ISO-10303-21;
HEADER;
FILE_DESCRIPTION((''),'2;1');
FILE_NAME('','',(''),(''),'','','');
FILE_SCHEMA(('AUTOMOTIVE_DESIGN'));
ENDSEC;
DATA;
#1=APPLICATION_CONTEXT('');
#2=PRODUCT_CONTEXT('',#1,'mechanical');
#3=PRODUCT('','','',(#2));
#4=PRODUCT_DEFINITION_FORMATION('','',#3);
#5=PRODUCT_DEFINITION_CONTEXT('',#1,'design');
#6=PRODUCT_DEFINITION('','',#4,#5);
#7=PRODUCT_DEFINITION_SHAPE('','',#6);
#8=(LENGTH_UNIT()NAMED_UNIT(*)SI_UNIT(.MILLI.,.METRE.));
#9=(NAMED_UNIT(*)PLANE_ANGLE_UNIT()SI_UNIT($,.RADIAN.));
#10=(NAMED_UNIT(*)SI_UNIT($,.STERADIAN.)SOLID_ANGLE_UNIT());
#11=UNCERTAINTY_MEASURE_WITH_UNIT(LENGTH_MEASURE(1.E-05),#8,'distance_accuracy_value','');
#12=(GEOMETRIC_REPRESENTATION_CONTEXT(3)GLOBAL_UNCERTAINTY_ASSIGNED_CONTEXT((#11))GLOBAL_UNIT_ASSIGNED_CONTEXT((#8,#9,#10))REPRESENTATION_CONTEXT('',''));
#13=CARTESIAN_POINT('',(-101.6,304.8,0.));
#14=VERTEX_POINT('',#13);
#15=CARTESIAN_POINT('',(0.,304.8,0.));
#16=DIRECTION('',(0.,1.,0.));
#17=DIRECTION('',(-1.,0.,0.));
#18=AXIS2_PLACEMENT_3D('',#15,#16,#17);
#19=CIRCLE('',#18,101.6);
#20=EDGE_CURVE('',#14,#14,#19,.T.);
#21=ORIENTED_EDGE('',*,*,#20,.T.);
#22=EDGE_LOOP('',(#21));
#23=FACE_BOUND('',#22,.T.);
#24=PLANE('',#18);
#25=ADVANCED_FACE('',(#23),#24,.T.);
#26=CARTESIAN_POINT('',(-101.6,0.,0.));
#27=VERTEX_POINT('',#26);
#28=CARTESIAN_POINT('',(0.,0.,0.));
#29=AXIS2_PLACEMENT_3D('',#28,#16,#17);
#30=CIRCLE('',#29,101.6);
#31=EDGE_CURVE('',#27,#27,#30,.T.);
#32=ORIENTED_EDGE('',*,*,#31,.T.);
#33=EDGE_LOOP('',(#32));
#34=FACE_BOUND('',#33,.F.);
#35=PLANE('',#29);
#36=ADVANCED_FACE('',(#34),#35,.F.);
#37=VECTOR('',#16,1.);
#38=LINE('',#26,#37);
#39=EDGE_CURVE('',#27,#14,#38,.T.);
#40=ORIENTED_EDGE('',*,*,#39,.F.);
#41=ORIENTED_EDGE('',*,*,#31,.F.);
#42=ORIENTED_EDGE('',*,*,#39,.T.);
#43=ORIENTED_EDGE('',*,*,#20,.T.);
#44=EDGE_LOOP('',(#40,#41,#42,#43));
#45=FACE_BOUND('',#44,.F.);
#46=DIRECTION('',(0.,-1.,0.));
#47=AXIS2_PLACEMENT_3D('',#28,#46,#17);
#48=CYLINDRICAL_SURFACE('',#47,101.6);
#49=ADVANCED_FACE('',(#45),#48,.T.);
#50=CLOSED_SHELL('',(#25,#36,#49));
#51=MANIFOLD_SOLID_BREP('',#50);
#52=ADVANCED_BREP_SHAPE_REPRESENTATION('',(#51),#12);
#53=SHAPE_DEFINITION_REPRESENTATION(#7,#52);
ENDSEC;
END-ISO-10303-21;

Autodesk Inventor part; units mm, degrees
ref_plane "YZ Plane" through (0, 0, 0) normal (1, 0, 0) x (0, 1, 0)
ref_plane "XZ Plane" through (0, 0, 0) normal (0, 1, 0) x (-1, 0, 0)
sketch "Sketch1" plane through (0, 0, 0) normal (0, 1, 0) x (-1, 0, 0)
  circle A0 centre (0, 0) radius 101.6
  dimension "d0" = 203.2
extrude "Extrusion1" add sketch "Sketch1" along normal blind 304.8
ref_plane "Work Plane2" through (0, 0, 101.6) normal (0, 0, 1) x (1, 0, 0)
sketch "Sketch3" plane through (0, 0, 101.6) normal (0, 0, 1) x (1, 0, 0)
  line L0 (-319.1858, 50.8) -> (319.1858, 50.8) construction
  line L1 (-319.1858, 254) -> (319.1858, 254) construction
  line L2 (-319.1858, 38.1) -> (319.1858, 38.1) construction
  line L3 (-319.1858, 266.7) -> (319.1858, 266.7) construction
  spline S0 degree 2 poles (-319.1858, 38.1) (0, 469.9) (319.1858, 38.1) knots 0 0 0 1 1 1
  spline S1 degree 2 poles (319.1858, 50.8) (0, 482.6) (-319.1858, 50.8) knots 0 0 0 1 1 1
  line L4 (-319.1858, 50.8) -> (-319.1858, 38.1)
  line L5 (319.1858, 50.8) -> (319.1858, 38.1)
  line L6 (-101.6, 0) -> (-101.6, 304.8) projected
  point P0 (0, 0)
  point P1 (0, 254)
  point P2 (0, 266.7)
  dimension "d3" = 638.3716
  dimension "d4" = 50.8
  dimension "d5" = 319.1858
  dimension "d6" = 254
  dimension "d7" = 12.7
  dimension "d8" = 12.7
  dimension "d9" = 12.7
  dimension "d10" = 203.2
  dimension "d11" = 12.7
  dimension "d12" = 12.7
sketch3d "3D Sketch1"
properties part number "newDrumCam"
